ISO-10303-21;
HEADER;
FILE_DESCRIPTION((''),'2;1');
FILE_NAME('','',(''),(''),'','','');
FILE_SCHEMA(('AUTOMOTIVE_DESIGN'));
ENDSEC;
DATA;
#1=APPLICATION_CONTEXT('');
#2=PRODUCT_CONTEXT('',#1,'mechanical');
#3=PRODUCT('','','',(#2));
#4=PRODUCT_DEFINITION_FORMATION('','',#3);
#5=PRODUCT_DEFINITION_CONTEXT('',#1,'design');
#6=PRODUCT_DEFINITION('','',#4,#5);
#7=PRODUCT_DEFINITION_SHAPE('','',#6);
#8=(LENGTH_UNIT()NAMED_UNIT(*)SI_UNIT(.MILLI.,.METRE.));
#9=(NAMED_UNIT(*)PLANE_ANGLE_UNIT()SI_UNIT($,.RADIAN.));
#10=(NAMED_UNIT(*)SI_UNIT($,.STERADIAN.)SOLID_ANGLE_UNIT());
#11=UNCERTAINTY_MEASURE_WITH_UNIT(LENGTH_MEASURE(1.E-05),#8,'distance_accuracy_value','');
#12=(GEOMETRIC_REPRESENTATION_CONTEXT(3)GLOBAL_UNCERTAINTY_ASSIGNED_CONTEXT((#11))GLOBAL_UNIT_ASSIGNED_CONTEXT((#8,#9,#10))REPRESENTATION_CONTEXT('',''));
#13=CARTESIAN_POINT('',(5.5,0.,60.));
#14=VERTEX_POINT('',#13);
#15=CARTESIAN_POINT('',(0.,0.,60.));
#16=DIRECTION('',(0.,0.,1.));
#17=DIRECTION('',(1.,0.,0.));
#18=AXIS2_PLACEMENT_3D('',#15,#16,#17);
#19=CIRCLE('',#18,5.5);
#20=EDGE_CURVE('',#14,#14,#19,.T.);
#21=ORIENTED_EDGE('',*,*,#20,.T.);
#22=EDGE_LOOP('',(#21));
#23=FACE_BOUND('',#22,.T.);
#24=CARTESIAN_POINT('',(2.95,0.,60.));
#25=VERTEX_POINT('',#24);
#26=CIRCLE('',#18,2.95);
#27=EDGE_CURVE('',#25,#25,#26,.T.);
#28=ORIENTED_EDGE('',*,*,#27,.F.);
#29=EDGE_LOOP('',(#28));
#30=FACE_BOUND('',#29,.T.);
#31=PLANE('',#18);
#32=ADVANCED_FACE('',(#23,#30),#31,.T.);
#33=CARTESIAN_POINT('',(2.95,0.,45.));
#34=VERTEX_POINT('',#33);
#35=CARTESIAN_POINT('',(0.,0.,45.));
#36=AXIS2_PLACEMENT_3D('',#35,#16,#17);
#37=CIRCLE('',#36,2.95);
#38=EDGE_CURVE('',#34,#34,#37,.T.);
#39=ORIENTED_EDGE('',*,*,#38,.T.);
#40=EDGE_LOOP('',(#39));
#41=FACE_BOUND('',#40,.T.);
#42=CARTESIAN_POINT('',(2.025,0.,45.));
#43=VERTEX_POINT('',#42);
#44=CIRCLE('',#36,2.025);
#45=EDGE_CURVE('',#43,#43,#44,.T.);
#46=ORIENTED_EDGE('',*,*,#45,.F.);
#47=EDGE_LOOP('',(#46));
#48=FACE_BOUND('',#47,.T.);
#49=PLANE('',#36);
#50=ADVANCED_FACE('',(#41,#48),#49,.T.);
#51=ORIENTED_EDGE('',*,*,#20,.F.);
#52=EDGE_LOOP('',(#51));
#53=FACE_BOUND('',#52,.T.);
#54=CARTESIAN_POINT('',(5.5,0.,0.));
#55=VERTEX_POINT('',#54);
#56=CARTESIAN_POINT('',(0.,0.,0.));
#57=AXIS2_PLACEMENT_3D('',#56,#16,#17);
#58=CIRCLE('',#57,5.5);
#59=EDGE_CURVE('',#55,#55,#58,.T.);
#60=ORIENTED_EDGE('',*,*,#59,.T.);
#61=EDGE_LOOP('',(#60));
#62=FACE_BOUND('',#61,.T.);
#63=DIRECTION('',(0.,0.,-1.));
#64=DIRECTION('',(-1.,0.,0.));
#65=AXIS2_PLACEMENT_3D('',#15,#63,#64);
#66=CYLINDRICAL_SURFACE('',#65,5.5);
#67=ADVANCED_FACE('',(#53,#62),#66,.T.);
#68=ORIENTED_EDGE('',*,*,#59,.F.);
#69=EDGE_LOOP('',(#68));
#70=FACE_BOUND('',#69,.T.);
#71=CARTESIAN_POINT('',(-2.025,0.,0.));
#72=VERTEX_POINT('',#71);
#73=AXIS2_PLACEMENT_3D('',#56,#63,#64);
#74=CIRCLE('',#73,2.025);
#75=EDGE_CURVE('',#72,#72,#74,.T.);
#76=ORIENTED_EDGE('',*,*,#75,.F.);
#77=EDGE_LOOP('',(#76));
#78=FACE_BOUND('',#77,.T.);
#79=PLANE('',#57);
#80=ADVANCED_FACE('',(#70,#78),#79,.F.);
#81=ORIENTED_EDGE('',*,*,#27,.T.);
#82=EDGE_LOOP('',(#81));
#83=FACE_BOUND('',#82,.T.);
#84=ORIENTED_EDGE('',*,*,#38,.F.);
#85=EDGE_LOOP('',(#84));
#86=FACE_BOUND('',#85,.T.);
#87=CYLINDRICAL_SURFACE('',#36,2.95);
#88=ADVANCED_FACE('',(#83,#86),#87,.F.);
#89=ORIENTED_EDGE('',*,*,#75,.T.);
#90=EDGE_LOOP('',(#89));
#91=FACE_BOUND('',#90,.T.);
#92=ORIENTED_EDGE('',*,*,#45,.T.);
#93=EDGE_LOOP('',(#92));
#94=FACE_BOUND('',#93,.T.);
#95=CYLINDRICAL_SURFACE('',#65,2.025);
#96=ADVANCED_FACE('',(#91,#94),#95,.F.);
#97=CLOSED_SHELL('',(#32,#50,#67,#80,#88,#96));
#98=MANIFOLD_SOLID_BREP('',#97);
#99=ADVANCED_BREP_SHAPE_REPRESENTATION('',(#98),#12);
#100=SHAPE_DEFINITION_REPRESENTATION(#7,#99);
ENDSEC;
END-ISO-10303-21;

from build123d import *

# Parameters (mm, degrees)
CROQUIS1_R              = 5.5
SALIENTE_EXTRUIR1_DEPTH = 60
CROQUIS6_R              = 2.95
CORTAR_EXTRUIR2_DEPTH   = 15
CROQUIS9_R              = 2.025
CORTAR_EXTRUIR6_DEPTH   = 61


with BuildPart() as part:
    # Croquis1 → Saliente-Extruir1 (new body)
    with BuildSketch(Plane.XY):
        Circle(CROQUIS1_R)
    extrude(amount=SALIENTE_EXTRUIR1_DEPTH)

    # Croquis6 → Cortar-Extruir2 (cut)
    with BuildSketch(Plane.XY.offset(60)):
        Circle(CROQUIS6_R)
    extrude(amount=-CORTAR_EXTRUIR2_DEPTH, mode=Mode.SUBTRACT)

    # Croquis9 → Cortar-Extruir6 (cut, through all)
    with BuildSketch(Plane(origin=(0, 0, 0), x_dir=(-1, 0, 0), z_dir=(0, 0, -1))):
        Circle(CROQUIS9_R)
    extrude(amount=-CORTAR_EXTRUIR6_DEPTH, mode=Mode.SUBTRACT)


solid = part.part
